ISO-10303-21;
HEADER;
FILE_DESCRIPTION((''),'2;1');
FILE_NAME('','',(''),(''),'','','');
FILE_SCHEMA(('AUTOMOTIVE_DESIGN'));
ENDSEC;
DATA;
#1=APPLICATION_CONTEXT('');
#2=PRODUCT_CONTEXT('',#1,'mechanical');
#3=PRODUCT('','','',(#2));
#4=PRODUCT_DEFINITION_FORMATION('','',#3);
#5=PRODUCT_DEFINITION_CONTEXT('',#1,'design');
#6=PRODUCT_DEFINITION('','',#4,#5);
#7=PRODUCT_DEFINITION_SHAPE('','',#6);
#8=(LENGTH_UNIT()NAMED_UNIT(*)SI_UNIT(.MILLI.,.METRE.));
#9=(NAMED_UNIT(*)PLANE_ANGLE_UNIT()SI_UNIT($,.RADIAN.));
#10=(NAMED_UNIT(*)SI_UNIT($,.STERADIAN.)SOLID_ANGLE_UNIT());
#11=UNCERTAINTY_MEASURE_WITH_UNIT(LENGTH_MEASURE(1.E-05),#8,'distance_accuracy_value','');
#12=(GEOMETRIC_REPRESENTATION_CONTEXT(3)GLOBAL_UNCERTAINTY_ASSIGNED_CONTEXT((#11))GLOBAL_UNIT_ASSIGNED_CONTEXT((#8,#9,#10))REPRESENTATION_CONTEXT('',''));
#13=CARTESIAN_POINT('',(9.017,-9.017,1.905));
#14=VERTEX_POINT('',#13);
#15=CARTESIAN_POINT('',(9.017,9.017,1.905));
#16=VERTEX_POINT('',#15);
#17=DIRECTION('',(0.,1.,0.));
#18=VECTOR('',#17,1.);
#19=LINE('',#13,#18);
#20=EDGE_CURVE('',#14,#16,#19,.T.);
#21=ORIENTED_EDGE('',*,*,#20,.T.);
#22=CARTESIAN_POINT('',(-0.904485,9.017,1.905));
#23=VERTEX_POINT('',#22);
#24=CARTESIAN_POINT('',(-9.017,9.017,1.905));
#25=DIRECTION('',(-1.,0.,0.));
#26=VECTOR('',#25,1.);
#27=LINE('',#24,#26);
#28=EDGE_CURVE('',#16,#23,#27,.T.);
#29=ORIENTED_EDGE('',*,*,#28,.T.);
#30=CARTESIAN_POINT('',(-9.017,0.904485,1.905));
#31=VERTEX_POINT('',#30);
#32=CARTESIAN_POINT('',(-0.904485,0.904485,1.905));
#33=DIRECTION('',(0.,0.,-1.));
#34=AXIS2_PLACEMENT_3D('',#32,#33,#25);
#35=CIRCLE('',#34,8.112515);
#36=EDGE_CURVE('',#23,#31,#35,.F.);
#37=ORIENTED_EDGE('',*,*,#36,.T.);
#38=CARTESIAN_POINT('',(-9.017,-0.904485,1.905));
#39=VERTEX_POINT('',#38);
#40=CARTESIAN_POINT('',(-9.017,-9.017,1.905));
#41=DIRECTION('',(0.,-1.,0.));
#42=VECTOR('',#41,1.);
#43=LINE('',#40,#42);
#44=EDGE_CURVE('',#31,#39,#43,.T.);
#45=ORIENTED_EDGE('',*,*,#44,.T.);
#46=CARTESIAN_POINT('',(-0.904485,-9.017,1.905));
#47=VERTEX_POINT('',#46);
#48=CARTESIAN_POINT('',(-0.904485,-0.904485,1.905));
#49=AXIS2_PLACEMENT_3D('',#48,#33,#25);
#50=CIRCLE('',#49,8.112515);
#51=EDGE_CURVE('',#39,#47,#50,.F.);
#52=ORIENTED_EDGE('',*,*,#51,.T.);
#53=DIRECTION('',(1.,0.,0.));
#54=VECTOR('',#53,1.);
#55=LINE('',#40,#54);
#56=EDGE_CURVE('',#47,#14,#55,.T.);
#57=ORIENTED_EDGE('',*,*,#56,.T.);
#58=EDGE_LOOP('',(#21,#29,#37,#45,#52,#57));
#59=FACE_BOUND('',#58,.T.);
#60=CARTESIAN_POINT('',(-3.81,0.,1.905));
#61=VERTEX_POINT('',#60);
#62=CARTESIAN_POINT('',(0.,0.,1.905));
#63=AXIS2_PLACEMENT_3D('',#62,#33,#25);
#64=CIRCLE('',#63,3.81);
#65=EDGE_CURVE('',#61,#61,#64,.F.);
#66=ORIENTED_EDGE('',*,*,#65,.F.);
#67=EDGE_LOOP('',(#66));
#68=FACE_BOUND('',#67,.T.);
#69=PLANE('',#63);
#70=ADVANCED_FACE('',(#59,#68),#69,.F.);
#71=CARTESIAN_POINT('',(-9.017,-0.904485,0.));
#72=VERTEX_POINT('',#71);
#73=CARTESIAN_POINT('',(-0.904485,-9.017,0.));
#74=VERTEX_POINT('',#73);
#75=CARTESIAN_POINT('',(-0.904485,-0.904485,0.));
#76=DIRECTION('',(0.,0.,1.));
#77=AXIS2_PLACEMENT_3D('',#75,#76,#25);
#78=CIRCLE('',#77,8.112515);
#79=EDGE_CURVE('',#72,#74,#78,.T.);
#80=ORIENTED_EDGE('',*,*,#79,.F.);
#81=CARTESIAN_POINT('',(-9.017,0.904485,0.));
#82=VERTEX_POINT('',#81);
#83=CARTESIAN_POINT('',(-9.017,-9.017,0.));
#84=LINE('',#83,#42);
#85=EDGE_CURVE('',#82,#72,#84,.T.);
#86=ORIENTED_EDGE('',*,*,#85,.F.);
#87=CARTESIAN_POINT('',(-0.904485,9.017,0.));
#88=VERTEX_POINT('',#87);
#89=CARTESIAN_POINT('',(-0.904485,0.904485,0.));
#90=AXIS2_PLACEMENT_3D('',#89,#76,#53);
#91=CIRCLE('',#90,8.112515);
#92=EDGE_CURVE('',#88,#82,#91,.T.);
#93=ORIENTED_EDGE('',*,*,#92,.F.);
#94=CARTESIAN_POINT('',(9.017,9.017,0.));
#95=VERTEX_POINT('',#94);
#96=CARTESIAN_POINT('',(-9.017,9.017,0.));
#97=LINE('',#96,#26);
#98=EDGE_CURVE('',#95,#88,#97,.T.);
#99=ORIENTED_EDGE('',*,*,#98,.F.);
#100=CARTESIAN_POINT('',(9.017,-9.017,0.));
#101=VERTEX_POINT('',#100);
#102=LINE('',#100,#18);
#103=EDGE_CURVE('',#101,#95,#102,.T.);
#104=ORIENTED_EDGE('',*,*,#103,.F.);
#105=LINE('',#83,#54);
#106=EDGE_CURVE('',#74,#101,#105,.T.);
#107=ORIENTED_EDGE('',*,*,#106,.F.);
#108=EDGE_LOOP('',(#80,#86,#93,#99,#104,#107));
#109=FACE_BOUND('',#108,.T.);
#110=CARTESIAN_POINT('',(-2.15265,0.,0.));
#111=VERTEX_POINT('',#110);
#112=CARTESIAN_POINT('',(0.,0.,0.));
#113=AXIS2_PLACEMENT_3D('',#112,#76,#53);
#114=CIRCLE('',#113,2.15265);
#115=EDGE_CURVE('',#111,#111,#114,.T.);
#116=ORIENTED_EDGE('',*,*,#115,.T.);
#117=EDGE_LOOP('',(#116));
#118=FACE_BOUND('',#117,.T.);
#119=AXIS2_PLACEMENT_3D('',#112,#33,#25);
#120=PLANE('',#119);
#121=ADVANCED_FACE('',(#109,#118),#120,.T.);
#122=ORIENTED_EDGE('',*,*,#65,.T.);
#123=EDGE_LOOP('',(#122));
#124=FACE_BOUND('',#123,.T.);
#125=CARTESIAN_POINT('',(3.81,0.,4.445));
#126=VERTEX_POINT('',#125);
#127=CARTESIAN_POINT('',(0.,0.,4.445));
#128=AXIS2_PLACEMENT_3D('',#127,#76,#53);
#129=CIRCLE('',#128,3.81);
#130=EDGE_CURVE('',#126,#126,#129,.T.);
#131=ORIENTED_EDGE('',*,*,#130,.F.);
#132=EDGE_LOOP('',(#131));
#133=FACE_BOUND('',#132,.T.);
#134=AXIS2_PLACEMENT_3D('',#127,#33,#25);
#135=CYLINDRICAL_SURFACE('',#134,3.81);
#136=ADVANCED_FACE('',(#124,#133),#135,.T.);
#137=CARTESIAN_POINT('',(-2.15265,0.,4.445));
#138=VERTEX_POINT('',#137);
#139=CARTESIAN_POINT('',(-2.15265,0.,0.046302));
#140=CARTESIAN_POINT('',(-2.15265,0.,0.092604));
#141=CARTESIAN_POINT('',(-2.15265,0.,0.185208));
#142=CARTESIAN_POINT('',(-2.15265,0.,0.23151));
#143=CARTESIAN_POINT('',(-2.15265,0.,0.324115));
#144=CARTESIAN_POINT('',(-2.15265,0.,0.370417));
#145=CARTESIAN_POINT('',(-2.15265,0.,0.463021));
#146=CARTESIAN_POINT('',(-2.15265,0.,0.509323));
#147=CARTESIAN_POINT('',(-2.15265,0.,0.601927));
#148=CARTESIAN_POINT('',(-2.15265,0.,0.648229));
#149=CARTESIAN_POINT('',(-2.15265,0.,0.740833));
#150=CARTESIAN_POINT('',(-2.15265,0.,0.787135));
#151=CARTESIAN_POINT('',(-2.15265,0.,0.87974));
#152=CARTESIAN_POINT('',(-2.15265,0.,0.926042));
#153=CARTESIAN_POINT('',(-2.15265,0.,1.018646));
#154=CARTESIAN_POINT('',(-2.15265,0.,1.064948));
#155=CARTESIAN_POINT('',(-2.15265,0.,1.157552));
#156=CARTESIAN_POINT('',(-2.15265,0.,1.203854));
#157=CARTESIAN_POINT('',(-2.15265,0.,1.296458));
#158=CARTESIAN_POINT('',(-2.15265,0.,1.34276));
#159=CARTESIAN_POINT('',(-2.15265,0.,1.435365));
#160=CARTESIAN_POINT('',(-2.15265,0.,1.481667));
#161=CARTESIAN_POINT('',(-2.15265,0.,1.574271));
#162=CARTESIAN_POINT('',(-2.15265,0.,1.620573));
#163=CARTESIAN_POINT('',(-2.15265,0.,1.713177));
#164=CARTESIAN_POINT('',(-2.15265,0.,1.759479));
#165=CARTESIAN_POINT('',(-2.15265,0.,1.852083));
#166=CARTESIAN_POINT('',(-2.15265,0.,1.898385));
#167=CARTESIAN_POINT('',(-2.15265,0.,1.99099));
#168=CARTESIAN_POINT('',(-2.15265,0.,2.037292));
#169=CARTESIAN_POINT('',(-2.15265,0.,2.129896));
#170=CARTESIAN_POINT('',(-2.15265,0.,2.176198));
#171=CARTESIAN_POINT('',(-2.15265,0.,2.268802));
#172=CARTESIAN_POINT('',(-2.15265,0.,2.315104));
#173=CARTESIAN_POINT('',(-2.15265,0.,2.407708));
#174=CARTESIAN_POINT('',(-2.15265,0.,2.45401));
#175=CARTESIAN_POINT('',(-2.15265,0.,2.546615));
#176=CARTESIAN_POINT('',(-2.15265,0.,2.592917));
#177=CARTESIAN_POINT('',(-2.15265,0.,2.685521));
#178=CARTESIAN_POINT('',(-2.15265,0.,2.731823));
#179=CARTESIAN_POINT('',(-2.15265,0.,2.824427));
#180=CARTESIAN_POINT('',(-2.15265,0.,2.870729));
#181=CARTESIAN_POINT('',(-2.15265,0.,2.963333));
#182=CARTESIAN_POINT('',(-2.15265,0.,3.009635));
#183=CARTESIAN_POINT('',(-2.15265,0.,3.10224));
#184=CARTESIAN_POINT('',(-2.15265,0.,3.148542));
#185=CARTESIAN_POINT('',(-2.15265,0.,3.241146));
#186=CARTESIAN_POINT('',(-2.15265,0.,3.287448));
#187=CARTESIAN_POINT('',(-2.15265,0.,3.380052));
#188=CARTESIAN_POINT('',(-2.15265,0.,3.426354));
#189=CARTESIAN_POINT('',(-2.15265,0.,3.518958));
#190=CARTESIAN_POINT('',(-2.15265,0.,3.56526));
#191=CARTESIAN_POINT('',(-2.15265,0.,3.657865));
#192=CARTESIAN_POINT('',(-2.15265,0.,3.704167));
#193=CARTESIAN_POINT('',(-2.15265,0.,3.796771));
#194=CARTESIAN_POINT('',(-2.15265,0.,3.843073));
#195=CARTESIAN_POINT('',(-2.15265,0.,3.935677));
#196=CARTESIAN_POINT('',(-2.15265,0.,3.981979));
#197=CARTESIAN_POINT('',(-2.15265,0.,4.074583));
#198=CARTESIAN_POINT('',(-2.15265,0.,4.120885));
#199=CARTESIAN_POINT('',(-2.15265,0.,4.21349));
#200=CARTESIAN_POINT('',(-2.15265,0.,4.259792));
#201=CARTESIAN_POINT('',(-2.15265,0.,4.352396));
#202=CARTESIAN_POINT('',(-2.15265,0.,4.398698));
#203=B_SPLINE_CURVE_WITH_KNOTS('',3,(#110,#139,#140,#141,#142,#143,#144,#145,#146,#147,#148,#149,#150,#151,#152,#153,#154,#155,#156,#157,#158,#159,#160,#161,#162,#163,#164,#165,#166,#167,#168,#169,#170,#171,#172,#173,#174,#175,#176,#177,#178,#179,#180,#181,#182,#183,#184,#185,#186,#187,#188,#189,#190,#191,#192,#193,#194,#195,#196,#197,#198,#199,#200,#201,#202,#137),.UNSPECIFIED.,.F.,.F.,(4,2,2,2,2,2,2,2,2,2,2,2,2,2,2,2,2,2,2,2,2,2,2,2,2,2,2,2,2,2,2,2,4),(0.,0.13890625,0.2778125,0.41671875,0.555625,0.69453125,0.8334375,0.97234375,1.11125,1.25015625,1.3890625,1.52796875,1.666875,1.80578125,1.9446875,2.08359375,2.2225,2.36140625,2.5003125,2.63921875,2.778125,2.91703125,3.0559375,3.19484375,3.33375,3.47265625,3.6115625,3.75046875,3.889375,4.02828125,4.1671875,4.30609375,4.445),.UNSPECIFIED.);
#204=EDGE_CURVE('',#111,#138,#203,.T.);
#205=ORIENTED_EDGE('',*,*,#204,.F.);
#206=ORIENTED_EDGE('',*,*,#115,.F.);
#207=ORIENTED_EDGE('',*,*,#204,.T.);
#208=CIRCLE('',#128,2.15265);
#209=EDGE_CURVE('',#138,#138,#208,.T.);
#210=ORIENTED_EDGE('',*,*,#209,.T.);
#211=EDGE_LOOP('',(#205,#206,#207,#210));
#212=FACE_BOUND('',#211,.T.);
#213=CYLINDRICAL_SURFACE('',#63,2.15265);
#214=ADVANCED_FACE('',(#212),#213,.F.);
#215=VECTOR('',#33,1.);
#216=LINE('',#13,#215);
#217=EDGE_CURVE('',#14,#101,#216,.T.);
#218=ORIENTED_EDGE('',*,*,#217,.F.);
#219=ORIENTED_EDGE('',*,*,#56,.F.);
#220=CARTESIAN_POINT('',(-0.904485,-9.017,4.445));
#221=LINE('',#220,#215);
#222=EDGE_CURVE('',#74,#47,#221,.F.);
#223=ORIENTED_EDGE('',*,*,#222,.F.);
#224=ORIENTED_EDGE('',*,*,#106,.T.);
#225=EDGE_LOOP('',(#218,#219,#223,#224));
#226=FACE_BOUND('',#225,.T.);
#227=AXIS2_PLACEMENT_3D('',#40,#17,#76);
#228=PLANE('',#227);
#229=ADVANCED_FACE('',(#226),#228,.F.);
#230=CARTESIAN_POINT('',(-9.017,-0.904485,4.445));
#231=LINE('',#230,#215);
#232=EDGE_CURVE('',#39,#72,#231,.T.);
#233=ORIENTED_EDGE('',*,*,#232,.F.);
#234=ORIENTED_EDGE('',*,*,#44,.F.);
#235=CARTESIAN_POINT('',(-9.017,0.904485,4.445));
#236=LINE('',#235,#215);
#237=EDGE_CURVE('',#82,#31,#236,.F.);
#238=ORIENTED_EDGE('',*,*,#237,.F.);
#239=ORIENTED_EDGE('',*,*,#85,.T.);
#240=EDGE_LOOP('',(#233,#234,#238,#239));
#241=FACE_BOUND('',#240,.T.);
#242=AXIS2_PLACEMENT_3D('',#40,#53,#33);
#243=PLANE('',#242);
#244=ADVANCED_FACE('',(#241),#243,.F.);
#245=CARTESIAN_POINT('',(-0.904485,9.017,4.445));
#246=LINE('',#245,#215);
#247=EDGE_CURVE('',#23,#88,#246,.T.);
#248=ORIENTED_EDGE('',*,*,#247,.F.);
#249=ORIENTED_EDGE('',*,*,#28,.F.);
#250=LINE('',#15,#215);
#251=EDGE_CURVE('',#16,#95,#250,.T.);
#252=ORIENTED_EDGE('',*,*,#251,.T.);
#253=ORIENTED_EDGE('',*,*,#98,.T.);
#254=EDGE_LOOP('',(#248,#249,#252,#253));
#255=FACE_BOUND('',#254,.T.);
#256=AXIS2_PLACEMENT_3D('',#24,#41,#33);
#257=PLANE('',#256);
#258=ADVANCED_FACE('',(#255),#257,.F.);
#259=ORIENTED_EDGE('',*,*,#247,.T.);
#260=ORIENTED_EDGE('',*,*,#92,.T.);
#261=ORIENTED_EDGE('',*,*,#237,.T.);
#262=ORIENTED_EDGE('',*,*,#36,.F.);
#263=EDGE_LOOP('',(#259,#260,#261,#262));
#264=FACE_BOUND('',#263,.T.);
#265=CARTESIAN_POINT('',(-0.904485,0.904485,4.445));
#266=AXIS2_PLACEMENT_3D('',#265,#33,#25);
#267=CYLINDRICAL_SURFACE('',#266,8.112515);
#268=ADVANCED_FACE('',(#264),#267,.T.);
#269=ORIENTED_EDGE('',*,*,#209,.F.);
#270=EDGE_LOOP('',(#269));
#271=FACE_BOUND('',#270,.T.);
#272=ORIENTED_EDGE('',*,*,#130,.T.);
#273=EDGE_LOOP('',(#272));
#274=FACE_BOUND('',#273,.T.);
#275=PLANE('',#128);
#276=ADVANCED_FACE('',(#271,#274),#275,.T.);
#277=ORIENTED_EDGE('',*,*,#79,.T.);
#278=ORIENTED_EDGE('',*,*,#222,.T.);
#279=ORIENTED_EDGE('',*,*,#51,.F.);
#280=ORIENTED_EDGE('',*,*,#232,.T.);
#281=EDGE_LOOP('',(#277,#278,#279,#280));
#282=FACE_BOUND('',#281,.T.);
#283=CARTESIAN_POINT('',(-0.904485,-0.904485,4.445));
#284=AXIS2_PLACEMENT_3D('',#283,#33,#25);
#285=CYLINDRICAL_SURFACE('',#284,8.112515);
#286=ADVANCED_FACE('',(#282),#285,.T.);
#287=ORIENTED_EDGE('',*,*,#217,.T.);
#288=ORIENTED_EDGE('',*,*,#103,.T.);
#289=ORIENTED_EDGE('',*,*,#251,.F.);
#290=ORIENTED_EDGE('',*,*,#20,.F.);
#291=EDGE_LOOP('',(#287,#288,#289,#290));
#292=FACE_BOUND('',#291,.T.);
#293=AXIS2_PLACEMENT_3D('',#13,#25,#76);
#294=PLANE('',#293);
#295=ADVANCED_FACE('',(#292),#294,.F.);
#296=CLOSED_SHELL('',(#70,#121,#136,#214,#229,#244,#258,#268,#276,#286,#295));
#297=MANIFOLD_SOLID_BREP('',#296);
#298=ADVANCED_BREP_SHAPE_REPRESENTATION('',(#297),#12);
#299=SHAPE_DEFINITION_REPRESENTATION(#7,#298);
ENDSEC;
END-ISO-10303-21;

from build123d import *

# Parameters (mm, degrees)
SKETCH1_W           = 18.034
SKETCH1_H           = 18.034
SKETCH1_R           = 2.15265
BOSS_EXTRUDE1_DEPTH = 1.905
SKETCH2_R           = 3.81
SKETCH2_R_2         = 2.15265
BOSS_EXTRUDE2_DEPTH = 2.54
CUT_EXTRUDE1_DEPTH  = 14.504466039


with BuildPart() as part:
    # Sketch1 → Boss-Extrude1 (new body)
    with BuildSketch(Plane.XY):
        Rectangle(SKETCH1_W, SKETCH1_H)
        with Locations(Location((0, 0, 0), (0, 0, 180))):
            Circle(SKETCH1_R, mode=Mode.SUBTRACT)
    extrude(amount=BOSS_EXTRUDE1_DEPTH)

    # Sketch2 → Boss-Extrude2 (add)
    with BuildSketch(Plane.XY.offset(1.905)):
        with Locations(Location((0, 0, 0), (0, 0, 180))):
            Circle(SKETCH2_R)
        with Locations(Location((0, 0, 0), (0, 0, 180))):
            Circle(SKETCH2_R_2, mode=Mode.SUBTRACT)
    extrude(amount=BOSS_EXTRUDE2_DEPTH)

    # Sketch3 → Cut-Extrude1 (cut, through all)
    with BuildSketch(Plane(origin=(0, 0, 0), x_dir=(-1, 0, 0), z_dir=(0, 0, -1))):
        with BuildLine():
            Line((9.017, 0.904485111), (9.017, 9.017))
            Line((9.017, 9.017), (0.904485111, 9.017))
            ThreePointArc((0.904485111, 9.017), (6.640899402, 6.640899402), (9.017, 0.904485111))
        make_face()
        with BuildLine():
            Line((9.017, -9.017), (0.904485111, -9.017))
            ThreePointArc((0.904485111, -9.017), (6.640899402, -6.640899402), (9.017, -0.904485111))
            Line((9.017, -0.904485111), (9.017, -9.017))
        make_face()
    extrude(amount=-CUT_EXTRUDE1_DEPTH, mode=Mode.SUBTRACT)


solid = part.part
